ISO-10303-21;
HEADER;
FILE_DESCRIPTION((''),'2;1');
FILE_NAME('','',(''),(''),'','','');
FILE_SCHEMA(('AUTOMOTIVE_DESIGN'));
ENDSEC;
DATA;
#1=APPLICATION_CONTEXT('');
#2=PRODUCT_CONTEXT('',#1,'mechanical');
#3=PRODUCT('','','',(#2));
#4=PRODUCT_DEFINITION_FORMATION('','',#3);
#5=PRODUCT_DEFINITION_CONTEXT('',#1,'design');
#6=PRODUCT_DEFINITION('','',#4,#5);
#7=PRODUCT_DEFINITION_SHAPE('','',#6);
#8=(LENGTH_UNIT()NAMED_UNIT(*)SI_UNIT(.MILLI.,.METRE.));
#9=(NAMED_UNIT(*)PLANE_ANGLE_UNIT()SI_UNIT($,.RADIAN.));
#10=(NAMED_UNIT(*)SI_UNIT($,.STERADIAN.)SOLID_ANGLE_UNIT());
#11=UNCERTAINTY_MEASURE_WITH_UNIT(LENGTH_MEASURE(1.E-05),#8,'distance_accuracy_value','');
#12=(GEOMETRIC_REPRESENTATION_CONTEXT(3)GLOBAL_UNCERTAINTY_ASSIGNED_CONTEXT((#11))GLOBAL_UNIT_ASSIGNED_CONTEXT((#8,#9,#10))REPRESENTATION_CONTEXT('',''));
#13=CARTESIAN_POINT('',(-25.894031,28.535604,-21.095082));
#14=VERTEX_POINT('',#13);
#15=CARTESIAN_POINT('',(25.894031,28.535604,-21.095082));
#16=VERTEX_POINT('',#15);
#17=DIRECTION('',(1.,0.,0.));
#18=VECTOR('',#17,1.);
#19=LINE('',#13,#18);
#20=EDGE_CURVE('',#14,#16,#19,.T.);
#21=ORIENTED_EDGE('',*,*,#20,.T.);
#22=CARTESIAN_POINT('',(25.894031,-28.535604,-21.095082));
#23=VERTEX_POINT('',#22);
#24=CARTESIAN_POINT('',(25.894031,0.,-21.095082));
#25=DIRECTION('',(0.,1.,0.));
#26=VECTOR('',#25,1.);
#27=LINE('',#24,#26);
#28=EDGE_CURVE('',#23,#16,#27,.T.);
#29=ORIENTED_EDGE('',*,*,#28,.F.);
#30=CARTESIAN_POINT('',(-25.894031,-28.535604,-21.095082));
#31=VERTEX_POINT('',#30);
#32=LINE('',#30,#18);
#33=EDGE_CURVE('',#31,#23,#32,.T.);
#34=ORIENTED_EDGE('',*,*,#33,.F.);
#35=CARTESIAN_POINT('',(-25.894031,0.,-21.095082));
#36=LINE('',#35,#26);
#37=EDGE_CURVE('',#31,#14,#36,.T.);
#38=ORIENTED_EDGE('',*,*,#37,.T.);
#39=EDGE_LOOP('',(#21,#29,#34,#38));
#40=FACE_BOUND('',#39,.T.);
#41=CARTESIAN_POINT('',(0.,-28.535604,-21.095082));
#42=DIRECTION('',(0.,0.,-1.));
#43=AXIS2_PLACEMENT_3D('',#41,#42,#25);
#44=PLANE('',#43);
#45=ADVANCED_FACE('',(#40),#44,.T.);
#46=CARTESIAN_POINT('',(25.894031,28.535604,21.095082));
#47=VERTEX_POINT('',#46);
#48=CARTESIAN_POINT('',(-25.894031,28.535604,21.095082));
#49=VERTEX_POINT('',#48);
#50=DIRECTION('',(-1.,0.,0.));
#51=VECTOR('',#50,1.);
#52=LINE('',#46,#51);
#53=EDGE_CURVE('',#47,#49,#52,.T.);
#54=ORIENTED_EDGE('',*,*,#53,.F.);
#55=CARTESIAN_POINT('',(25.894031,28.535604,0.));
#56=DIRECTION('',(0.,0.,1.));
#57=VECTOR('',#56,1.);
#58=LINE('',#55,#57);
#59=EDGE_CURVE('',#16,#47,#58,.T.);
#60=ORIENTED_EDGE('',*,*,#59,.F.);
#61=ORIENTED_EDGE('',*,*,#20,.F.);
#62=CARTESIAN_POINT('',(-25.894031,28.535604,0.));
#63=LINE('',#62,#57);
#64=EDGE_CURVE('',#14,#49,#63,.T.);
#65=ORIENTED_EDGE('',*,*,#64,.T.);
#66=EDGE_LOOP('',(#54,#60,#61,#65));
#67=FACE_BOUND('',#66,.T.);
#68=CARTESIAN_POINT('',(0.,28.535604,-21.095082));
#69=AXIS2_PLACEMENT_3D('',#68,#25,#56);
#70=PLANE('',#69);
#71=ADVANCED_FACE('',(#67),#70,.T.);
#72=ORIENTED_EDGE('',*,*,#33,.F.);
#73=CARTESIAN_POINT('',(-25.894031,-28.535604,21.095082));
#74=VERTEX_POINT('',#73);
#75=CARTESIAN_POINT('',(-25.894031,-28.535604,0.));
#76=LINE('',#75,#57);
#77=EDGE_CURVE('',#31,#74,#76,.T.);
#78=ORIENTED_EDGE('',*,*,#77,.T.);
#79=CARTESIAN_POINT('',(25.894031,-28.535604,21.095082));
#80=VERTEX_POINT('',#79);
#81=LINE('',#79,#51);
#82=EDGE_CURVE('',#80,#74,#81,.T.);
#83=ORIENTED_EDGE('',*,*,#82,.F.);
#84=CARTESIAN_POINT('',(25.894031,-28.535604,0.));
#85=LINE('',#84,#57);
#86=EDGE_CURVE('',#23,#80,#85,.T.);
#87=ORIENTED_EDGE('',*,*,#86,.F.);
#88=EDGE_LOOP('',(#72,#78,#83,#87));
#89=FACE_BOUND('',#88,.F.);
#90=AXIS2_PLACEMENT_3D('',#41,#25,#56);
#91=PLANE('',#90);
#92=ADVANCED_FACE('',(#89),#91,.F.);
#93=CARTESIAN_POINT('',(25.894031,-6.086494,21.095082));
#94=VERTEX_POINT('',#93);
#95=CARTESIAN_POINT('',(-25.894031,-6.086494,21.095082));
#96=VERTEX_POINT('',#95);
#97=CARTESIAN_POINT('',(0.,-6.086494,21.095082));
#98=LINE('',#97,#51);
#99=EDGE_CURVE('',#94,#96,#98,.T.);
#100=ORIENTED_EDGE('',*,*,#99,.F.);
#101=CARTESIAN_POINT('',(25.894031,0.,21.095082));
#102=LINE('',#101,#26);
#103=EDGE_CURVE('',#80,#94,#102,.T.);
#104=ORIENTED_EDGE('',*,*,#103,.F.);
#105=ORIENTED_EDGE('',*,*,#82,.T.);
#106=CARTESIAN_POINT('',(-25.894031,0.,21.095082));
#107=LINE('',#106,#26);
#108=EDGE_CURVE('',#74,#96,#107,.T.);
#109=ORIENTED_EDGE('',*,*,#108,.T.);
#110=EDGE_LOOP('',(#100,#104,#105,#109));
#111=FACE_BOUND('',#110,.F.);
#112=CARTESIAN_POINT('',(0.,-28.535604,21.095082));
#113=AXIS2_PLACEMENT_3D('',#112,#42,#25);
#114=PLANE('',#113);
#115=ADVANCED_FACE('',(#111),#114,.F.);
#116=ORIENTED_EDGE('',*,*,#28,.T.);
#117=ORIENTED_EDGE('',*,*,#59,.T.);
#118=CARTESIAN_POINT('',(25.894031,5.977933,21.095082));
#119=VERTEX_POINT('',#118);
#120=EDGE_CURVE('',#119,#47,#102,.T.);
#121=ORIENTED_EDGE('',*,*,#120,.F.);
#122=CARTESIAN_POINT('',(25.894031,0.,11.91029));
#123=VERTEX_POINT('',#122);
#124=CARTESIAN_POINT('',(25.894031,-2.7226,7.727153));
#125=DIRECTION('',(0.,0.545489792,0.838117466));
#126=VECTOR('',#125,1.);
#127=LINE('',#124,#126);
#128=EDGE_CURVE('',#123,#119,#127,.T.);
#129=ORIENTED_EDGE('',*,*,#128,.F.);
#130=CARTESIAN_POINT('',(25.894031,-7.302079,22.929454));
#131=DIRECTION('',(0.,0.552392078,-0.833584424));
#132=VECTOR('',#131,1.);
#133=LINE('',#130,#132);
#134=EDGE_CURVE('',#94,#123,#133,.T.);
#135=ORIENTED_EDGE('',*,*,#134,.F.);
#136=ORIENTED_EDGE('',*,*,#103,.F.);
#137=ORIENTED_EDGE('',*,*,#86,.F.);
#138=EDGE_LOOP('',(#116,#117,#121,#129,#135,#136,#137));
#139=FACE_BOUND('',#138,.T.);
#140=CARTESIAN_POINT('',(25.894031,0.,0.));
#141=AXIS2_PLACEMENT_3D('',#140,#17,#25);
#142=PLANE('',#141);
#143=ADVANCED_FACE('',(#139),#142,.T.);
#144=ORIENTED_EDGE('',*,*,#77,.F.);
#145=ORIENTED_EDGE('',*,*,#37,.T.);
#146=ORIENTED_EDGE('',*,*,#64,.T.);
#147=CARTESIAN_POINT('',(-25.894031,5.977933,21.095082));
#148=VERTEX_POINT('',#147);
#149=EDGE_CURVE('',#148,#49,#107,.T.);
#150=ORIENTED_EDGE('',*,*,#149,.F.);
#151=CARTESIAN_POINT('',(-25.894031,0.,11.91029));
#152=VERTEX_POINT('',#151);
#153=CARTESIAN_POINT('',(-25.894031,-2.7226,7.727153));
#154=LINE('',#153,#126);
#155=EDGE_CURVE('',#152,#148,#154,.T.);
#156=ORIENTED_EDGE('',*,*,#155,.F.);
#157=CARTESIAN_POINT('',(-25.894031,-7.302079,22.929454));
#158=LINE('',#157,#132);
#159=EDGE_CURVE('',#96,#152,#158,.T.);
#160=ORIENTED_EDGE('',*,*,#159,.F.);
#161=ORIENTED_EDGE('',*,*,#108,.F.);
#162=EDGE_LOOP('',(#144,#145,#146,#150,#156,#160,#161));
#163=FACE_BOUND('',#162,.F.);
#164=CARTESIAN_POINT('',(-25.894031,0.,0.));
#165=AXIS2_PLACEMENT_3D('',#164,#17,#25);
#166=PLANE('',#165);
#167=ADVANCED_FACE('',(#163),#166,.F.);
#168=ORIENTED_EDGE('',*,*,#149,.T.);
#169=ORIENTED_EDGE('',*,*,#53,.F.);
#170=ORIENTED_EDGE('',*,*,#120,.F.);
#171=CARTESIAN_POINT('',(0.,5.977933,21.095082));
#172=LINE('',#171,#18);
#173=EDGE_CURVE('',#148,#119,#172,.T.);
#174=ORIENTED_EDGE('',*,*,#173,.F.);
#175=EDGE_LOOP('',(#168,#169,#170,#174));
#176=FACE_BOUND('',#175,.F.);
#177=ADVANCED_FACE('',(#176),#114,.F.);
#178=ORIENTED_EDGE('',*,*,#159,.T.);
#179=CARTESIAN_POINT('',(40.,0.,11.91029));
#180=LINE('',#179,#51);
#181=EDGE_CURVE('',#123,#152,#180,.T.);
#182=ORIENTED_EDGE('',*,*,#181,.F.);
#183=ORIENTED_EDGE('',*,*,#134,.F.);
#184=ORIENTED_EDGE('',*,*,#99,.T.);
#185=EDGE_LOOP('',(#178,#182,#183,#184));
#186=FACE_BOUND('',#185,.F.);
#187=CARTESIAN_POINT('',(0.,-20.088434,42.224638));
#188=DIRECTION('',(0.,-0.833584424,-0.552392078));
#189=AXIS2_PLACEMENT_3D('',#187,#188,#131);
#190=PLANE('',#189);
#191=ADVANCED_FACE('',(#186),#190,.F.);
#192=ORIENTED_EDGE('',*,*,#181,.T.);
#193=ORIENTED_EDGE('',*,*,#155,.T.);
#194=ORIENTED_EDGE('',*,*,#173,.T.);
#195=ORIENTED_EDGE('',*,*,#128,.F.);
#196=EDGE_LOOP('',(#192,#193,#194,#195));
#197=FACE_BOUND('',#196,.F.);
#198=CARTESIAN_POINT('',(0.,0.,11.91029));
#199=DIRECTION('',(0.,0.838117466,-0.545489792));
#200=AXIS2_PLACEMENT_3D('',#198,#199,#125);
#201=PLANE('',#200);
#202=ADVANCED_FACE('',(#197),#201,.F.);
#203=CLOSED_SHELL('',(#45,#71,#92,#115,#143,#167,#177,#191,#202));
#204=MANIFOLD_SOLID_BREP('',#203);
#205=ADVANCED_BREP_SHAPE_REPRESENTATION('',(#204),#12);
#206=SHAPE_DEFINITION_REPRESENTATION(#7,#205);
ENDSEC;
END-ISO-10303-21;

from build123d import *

# Parameters (mm, degrees)
F0_W     = 57.071208
F0_H     = 42.190164
F1_DEPTH = 25.894031
F3_DEPTH = 40


with BuildPart() as f1:
    # F0 (on Right) → F1 (new body, symmetric)
    with BuildSketch(Plane.YZ):
        Rectangle(F0_W, F0_H)
    extrude(amount=F1_DEPTH, both=True)

    # F2 (on Right) → F3 (cut, symmetric)
    with BuildSketch(Plane.YZ):
        Polygon((19.517973, 41.898668), (-20.088434, 42.224638), (0, 11.91029), align=None)
    extrude(amount=F3_DEPTH, both=True, mode=Mode.SUBTRACT)


solid = f1.part
